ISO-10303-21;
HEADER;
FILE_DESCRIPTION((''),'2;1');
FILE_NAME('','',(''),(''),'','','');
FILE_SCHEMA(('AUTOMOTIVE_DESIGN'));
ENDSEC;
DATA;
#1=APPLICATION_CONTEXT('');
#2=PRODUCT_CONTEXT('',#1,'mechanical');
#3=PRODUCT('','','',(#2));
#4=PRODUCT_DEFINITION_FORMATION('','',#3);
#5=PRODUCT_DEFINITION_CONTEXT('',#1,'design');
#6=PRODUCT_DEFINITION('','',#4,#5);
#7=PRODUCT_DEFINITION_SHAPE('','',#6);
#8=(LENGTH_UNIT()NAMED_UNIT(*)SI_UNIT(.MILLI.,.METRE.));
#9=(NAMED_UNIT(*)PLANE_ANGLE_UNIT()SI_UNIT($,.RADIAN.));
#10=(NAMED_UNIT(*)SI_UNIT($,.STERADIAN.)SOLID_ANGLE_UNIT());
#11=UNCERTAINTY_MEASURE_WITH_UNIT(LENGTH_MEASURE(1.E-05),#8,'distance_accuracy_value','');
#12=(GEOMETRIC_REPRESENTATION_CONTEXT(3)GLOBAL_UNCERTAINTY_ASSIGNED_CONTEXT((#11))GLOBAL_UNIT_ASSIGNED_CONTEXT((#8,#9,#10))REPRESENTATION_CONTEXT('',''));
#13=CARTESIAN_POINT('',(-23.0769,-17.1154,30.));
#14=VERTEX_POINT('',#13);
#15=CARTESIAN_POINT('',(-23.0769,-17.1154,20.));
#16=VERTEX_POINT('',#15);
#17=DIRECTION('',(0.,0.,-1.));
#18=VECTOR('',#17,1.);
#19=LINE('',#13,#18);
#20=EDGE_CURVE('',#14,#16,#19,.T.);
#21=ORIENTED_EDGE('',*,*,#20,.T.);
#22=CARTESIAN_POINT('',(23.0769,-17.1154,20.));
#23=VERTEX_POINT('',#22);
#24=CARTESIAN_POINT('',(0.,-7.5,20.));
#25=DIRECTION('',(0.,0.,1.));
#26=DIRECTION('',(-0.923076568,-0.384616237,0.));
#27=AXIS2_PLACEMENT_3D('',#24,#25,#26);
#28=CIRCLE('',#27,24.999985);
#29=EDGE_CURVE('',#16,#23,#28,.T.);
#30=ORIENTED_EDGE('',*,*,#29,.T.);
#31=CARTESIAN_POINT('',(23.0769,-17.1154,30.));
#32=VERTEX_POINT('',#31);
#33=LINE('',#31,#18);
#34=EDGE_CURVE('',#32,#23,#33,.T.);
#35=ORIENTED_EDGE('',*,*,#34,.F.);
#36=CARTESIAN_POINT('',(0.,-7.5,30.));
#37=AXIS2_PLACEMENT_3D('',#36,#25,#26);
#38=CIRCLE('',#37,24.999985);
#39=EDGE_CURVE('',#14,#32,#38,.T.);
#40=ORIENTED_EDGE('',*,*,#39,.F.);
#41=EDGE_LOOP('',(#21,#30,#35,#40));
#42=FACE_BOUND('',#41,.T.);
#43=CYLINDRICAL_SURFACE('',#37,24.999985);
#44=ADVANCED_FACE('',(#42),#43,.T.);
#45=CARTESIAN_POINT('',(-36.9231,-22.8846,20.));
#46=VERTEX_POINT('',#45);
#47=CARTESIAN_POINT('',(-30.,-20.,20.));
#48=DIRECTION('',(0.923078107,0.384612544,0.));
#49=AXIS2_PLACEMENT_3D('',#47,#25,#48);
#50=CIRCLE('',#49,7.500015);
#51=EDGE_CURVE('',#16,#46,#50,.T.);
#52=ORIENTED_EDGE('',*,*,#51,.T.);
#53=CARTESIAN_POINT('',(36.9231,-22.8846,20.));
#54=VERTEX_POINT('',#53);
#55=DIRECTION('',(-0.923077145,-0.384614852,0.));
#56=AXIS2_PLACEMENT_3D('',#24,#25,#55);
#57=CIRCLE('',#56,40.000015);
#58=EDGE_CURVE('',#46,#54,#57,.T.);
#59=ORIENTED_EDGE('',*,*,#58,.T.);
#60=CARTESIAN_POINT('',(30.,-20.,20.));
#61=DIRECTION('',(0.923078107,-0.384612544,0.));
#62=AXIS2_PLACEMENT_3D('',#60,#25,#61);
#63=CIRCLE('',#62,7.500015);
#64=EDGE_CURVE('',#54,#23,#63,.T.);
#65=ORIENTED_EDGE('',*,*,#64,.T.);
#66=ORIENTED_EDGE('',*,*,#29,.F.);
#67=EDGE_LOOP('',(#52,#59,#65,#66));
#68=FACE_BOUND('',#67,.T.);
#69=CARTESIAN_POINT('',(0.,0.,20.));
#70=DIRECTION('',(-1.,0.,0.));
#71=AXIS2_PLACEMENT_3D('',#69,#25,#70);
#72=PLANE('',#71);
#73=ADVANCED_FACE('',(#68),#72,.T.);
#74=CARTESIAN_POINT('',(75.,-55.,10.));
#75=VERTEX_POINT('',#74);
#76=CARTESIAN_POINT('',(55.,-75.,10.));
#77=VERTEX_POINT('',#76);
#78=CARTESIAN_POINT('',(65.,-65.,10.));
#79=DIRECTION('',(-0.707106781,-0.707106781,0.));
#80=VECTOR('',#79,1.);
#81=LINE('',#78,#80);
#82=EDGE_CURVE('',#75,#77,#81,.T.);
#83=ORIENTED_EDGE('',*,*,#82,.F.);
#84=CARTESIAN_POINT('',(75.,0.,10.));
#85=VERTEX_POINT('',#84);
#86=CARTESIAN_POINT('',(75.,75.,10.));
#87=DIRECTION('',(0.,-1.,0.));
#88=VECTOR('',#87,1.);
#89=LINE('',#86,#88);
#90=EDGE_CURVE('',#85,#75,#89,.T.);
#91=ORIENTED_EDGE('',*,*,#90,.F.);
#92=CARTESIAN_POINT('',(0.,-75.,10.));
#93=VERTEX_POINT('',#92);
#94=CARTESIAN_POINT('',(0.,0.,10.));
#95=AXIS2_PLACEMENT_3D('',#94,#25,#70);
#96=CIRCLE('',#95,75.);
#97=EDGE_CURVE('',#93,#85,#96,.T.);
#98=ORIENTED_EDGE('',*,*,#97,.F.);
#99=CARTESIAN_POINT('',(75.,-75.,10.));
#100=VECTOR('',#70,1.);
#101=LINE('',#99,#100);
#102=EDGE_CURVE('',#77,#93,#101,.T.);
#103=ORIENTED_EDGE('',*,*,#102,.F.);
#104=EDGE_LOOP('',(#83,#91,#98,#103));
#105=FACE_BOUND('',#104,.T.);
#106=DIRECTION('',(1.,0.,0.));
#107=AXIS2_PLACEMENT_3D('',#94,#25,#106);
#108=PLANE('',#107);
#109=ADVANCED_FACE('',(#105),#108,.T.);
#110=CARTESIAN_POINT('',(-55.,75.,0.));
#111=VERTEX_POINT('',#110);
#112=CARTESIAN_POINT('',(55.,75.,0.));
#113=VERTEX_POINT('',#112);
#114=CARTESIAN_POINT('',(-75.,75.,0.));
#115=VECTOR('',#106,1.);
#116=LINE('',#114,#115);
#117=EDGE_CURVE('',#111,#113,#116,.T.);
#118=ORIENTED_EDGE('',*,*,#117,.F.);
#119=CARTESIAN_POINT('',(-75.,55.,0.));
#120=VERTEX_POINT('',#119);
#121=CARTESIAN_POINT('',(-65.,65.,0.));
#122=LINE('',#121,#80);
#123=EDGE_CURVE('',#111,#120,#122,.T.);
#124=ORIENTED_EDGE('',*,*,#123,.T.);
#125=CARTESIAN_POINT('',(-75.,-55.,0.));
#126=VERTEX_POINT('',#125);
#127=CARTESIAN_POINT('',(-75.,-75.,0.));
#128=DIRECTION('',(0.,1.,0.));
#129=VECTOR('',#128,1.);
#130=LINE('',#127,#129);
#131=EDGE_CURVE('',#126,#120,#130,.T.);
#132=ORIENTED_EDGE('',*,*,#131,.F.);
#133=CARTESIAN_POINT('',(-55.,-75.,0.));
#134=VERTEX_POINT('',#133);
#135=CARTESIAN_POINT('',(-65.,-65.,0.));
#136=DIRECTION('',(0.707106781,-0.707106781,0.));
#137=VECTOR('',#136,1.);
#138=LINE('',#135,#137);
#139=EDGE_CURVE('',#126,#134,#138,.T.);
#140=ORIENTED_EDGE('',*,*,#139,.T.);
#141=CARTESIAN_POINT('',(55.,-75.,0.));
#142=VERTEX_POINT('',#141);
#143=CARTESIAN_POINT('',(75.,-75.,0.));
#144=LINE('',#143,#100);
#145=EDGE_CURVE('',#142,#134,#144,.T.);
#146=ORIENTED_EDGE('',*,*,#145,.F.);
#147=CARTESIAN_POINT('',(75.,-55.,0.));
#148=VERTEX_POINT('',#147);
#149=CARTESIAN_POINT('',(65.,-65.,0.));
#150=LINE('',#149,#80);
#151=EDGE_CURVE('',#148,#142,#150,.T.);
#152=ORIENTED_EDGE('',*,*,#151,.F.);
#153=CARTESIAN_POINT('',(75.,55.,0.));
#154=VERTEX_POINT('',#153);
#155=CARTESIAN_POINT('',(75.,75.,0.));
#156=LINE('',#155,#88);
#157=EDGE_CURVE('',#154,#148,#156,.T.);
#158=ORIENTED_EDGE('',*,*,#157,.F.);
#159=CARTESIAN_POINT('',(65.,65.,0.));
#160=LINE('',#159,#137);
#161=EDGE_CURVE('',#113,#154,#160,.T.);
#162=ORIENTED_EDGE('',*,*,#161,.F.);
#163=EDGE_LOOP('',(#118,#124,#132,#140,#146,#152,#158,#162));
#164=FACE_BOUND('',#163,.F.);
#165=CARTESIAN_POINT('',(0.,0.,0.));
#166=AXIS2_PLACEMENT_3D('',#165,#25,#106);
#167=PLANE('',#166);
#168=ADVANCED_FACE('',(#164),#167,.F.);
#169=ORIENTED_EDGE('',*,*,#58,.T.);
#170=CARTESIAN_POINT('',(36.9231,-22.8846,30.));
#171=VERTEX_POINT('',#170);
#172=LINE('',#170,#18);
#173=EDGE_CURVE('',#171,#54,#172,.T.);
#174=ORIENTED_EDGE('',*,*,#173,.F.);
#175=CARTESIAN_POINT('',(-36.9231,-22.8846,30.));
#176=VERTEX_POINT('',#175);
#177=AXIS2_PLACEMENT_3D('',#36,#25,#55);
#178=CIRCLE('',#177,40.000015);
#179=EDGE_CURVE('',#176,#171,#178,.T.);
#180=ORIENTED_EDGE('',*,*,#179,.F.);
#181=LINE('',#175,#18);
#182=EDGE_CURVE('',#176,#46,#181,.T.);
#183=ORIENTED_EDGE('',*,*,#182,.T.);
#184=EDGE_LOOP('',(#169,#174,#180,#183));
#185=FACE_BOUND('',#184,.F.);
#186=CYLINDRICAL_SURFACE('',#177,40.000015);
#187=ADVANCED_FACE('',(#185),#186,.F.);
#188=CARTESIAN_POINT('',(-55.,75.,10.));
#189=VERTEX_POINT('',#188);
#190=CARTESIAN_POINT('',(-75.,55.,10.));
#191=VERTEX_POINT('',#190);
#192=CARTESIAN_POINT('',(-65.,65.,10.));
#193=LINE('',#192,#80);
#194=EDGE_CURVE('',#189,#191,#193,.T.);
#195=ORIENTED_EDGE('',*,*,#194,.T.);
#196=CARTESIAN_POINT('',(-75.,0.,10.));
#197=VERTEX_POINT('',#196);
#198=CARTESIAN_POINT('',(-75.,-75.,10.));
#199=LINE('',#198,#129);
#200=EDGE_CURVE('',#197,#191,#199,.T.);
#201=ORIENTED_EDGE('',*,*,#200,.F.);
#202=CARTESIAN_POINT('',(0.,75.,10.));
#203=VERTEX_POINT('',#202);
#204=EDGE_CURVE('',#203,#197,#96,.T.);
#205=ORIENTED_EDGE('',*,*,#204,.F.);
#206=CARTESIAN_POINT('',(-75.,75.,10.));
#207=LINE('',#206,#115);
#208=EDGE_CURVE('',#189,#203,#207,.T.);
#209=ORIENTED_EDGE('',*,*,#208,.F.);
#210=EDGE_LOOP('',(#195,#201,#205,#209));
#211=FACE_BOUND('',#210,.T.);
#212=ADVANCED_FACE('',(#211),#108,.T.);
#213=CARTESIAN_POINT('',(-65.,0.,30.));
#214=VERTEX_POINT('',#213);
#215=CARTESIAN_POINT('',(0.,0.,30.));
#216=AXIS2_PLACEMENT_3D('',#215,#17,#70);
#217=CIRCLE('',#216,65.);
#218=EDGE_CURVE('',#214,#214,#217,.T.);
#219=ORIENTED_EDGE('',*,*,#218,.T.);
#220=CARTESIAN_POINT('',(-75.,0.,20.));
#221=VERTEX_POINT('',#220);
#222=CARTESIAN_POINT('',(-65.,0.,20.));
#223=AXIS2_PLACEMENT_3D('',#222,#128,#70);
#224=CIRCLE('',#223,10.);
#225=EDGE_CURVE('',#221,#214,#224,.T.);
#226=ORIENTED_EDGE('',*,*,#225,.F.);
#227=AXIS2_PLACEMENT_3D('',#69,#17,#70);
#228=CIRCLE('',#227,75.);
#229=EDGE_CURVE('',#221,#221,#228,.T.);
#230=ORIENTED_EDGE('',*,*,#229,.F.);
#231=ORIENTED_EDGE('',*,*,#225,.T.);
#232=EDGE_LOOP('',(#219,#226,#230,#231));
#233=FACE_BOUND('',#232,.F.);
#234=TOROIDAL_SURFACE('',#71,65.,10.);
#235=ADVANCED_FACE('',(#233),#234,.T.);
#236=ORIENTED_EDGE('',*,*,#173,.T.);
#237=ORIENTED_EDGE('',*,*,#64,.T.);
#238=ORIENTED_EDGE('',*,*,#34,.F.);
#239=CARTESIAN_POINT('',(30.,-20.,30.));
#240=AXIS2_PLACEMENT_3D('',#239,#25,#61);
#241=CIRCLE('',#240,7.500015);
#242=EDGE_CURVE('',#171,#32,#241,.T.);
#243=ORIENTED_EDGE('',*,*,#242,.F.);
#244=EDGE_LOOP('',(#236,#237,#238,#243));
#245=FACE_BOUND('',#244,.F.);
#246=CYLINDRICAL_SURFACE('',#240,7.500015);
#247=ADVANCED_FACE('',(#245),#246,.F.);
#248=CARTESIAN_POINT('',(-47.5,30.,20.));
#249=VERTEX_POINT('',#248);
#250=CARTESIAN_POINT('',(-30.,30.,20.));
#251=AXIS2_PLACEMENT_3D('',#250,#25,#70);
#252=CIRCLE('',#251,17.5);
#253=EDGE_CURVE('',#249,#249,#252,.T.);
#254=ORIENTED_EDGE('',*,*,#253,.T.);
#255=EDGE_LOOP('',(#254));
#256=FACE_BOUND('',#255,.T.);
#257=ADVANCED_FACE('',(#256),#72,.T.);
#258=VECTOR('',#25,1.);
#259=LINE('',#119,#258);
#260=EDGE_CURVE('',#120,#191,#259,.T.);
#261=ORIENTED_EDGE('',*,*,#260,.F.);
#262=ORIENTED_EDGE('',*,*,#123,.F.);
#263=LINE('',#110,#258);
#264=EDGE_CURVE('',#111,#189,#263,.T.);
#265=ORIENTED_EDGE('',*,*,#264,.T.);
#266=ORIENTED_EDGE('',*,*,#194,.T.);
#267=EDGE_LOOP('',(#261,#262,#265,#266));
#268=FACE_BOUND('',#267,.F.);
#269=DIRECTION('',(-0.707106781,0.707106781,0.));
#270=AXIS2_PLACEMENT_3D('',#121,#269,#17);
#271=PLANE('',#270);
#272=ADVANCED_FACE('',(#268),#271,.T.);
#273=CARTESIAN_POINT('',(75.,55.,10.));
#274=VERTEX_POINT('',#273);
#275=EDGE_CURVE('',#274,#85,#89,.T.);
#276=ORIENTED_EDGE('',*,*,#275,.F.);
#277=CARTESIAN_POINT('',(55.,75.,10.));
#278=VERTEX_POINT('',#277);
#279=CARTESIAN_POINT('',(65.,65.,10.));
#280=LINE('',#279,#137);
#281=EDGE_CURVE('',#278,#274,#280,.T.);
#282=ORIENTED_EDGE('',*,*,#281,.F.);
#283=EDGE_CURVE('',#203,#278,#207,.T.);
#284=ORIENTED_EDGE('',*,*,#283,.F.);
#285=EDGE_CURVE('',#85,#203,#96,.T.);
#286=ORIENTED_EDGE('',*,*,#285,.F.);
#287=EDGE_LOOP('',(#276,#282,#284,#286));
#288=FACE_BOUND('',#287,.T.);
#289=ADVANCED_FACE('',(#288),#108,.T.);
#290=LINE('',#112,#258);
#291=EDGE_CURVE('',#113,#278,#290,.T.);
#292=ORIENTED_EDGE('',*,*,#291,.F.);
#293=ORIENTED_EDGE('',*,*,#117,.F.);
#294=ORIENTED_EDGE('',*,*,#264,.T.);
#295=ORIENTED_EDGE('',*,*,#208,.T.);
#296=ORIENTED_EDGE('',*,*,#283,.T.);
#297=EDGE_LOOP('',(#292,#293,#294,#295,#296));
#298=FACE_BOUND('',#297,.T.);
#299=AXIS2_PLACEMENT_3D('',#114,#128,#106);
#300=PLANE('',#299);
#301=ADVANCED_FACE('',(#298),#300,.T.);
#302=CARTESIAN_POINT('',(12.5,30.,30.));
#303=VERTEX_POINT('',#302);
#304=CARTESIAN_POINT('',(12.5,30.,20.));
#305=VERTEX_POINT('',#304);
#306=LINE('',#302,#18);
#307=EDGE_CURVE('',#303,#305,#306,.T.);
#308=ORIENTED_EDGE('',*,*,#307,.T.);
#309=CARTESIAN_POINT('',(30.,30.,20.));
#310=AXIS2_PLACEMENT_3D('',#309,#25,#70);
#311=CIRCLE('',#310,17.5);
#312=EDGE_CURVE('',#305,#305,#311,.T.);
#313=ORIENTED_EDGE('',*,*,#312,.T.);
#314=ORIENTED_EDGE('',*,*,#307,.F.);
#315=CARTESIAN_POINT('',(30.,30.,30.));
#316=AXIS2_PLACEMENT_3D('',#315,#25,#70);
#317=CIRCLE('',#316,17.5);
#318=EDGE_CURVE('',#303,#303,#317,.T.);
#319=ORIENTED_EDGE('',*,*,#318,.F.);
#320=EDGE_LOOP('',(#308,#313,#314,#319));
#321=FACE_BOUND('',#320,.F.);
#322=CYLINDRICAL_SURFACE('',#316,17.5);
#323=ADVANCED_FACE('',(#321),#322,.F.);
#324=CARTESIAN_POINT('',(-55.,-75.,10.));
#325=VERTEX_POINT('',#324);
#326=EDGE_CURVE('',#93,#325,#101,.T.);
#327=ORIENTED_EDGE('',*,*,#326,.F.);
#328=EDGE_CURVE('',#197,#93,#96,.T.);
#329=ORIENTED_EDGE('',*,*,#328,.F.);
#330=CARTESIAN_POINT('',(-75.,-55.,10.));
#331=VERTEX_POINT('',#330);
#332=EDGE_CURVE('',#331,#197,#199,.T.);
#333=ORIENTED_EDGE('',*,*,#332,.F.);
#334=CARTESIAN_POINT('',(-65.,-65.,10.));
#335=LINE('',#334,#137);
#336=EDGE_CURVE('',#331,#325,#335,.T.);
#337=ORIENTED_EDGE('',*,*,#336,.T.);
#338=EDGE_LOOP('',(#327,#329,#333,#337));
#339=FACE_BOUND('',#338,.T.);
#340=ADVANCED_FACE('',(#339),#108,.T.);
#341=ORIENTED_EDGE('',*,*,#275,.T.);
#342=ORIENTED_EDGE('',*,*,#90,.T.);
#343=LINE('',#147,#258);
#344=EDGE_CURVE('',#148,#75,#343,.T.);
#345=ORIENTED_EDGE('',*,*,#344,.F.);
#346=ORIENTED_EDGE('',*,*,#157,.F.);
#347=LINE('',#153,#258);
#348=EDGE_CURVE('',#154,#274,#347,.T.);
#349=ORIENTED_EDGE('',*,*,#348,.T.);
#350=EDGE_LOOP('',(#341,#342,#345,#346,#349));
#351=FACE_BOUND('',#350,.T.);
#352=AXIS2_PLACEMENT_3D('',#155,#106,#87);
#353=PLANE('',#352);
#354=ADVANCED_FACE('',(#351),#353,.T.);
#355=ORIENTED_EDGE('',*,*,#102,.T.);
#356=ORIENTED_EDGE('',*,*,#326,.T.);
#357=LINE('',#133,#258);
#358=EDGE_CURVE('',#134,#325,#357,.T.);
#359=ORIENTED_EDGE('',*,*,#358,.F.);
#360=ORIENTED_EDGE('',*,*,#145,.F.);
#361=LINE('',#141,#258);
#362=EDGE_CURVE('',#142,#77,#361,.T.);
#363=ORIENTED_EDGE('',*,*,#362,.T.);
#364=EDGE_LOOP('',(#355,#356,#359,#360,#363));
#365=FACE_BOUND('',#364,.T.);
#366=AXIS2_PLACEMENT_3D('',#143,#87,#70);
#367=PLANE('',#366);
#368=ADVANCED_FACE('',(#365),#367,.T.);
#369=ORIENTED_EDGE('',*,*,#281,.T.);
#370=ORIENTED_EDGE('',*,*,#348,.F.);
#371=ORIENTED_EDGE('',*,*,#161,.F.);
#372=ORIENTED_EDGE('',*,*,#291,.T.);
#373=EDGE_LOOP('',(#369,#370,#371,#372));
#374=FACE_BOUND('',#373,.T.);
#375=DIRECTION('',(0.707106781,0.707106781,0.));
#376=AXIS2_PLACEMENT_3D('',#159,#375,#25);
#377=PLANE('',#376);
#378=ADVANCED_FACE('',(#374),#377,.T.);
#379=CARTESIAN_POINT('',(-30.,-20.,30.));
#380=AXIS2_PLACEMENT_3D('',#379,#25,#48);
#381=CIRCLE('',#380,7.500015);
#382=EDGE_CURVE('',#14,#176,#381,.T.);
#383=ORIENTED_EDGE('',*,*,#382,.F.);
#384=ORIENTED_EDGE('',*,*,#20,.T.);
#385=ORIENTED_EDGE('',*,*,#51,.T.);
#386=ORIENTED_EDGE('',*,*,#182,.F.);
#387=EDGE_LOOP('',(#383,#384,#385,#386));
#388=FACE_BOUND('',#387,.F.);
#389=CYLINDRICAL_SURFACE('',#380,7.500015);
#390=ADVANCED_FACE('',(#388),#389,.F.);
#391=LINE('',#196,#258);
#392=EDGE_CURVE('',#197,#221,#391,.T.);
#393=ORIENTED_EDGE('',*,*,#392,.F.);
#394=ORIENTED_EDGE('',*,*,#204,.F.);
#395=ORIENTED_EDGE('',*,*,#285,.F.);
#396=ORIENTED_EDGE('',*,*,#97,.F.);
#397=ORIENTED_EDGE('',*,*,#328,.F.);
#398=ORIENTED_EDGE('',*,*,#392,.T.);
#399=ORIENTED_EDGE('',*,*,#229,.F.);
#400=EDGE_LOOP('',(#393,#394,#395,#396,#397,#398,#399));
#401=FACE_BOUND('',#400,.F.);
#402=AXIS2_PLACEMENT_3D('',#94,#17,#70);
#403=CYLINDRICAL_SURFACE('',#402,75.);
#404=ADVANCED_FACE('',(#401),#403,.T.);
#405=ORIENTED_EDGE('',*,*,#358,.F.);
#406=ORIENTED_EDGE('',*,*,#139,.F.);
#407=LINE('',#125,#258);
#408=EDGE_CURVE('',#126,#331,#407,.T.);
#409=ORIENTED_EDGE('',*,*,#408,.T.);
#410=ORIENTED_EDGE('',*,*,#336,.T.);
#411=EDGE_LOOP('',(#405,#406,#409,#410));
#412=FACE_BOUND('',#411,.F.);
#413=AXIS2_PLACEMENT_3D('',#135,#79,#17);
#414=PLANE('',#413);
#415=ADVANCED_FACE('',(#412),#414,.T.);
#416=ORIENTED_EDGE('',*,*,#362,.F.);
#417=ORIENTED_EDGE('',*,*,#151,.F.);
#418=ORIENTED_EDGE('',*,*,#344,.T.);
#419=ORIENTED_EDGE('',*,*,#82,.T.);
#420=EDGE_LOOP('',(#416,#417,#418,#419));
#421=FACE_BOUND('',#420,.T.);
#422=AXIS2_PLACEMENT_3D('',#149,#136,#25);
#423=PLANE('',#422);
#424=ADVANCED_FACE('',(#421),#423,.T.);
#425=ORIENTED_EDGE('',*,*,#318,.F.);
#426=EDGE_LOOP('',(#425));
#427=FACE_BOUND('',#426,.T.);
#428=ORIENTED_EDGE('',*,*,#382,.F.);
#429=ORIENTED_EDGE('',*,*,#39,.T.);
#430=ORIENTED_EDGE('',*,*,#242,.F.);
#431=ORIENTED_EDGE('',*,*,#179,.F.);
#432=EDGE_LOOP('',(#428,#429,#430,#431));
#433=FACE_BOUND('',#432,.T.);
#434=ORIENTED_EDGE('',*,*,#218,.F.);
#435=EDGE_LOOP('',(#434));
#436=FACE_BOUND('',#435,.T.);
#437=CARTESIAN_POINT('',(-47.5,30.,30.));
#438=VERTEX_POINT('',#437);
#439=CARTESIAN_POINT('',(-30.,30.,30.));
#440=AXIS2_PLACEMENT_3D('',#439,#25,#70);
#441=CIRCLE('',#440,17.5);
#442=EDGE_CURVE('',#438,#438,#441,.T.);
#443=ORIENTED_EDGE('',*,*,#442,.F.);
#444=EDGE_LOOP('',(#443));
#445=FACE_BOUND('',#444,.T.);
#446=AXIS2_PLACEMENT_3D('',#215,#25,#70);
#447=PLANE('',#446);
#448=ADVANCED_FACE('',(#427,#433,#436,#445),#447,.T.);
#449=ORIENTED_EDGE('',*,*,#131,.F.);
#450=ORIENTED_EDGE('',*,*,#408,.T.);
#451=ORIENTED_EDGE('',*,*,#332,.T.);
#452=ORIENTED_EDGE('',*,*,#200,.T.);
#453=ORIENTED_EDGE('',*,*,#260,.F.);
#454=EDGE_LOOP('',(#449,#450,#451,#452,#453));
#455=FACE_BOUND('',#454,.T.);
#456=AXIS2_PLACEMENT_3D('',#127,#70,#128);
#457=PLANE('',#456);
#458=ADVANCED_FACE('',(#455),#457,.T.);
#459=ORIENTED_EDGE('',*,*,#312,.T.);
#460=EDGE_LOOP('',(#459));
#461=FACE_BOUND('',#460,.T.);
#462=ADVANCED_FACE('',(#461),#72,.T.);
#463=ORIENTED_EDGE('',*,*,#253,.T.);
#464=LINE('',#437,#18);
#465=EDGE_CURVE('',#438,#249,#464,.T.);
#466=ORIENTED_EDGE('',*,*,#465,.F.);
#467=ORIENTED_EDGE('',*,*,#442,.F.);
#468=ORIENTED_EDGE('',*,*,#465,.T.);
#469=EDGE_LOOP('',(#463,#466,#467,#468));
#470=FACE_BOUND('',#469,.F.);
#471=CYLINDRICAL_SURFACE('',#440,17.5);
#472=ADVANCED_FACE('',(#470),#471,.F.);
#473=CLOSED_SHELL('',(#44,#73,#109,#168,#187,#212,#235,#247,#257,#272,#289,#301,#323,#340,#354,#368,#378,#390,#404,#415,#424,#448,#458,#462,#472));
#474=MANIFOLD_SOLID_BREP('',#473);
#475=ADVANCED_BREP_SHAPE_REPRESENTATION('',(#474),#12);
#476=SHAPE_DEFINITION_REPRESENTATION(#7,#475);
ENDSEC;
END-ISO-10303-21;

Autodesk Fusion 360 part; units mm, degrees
sketch "Sketch1" plane through (0, 0, 0) normal (0, 0, 1) x (1, 0, 0)
  line L0 (-75, 75) -> (75, 75)
  line L1 (75, 75) -> (75, -75)
  line L2 (75, -75) -> (-75, -75)
  line L3 (-75, -75) -> (-75, 75)
  line L4 (-75, 75) -> (75, -75) construction
  line L5 (75, 75) -> (-75, -75) construction
  dimension "d1" = 150
  dimension "d2" = 150
extrude "Extrude1" add sketch "Sketch1" along normal blind 10
sketch "Sketch2" plane through (0, 0, 10) normal (0, 0, 1) x (-1, 0, 0)
  line L0 (75, 75) -> (-75, 75)
  line L1 (-75, 75) -> (-75, -75)
  line L2 (-75, -75) -> (75, -75)
  line L3 (75, -75) -> (75, 75)
  circle A0 centre (0, 0) radius 75
extrude "Extrude2" add sketch "Sketch2" along normal blind 20 contours A0
sketch "Sketch3" plane through (0, 0, 30) normal (0, 0, 1) x (-1, 0, 0)
  circle A0 centre (0, 0) radius 75
  circle A1 centre (-30, -30) radius 17.5
  line L0 (0, -2.5) -> (0, -20)
  circle A2 centre (30, -30) radius 17.5
  arc A3 (36.9231, 22.8846) -> (-36.9231, 22.8846) centre (0, 7.5) ccw
  arc A4 (23.0769, 17.1154) -> (36.9231, 22.8846) centre (30, 20) ccw
  arc A5 (23.0769, 17.1154) -> (-23.0769, 17.1154) centre (0, 7.5) ccw
  arc A6 (-36.9231, 22.8846) -> (-23.0769, 17.1154) centre (-30, 20) ccw
  arc A7 (30, 20) -> (-30, 20) centre (0, 7.5) ccw construction
  dimension "d7" = 35
  dimension "d8" = 15
extrude "Extrude3" cut sketch "Sketch3" against normal blind 10 contours A1 | A2 | A3 A4 A5 A6
chamfer "Chamfer1" distance 20 angle 45 4 edges at (75, 75, 5) (75, -75, 5) (-75, -75, 5) (-75, 75, 5)
fillet "Fillet1" radius 10 1 edges at (69.9246, 27.1212, 30)
